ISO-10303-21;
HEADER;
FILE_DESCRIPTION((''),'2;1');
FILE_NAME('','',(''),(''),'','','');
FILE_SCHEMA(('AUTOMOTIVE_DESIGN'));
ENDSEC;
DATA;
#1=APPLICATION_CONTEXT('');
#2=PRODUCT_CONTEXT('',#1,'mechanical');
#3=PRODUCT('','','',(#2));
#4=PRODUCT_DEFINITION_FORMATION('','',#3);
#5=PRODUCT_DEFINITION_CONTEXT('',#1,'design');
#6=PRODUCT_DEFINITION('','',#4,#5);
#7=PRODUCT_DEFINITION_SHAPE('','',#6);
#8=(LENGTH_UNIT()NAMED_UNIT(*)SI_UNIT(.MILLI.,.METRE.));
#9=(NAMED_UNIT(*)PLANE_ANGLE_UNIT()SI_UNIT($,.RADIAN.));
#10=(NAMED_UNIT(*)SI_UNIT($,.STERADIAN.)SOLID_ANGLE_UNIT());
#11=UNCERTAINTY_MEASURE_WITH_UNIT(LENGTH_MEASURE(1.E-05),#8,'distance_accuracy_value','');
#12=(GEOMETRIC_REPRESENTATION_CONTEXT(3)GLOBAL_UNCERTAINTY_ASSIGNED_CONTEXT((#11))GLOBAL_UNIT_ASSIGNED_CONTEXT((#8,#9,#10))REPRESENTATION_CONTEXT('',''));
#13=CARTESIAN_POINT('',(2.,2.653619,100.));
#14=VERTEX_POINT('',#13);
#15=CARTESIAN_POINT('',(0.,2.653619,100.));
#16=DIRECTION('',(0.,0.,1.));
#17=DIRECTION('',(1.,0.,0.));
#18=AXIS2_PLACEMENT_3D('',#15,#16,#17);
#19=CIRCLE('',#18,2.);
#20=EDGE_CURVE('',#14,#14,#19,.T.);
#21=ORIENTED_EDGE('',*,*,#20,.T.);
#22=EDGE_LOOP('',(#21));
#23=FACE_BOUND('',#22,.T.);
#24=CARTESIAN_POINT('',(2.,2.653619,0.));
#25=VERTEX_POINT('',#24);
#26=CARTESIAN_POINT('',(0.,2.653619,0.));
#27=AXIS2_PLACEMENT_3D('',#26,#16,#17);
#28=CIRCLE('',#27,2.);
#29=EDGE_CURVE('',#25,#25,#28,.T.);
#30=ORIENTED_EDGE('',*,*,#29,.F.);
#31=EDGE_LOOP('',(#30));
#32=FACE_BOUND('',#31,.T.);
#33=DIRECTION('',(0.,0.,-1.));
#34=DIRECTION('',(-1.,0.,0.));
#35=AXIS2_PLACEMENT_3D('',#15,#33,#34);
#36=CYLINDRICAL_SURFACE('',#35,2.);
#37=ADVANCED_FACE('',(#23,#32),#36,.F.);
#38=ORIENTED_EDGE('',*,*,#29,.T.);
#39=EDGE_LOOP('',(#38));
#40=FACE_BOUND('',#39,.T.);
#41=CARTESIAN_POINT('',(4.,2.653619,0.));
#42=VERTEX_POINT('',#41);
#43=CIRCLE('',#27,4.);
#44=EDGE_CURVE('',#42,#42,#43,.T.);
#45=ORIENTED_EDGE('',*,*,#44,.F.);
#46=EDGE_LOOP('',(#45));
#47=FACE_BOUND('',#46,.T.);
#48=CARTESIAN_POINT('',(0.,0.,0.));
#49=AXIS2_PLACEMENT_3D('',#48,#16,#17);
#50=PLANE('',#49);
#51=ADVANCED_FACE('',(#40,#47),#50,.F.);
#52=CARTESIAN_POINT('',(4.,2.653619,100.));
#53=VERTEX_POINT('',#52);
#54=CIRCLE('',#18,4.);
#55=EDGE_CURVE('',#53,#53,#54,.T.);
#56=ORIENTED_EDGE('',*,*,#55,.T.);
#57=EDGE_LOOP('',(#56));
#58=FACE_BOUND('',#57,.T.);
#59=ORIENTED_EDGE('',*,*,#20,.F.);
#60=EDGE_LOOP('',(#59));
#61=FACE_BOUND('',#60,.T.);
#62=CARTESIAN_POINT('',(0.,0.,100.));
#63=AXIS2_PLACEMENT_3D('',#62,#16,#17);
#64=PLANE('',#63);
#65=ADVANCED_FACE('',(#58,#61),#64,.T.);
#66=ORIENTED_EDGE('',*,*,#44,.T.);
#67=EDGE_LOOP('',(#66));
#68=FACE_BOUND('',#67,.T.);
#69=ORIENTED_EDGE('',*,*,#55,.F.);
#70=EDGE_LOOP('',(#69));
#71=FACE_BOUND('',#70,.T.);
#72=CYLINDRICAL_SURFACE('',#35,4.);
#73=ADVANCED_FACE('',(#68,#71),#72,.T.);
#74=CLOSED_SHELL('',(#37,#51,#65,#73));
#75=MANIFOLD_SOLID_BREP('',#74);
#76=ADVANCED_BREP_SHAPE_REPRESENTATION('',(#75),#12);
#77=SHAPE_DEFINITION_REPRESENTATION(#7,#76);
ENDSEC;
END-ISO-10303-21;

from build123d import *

# Parameters (mm, degrees)
SKETCH_1_R      = 4
SKETCH_1_R_2    = 2
EXTRUDE_1_DEPTH = 100


with BuildPart() as part:
    # 草图1 → 凸台-拉伸1 (new body)
    with BuildSketch(Plane.XY):
        with Locations((0, 2.653619029)):
            Circle(SKETCH_1_R)
        with Locations((0, 2.653619029)):
            Circle(SKETCH_1_R_2, mode=Mode.SUBTRACT)
    extrude(amount=EXTRUDE_1_DEPTH)


solid = part.part
